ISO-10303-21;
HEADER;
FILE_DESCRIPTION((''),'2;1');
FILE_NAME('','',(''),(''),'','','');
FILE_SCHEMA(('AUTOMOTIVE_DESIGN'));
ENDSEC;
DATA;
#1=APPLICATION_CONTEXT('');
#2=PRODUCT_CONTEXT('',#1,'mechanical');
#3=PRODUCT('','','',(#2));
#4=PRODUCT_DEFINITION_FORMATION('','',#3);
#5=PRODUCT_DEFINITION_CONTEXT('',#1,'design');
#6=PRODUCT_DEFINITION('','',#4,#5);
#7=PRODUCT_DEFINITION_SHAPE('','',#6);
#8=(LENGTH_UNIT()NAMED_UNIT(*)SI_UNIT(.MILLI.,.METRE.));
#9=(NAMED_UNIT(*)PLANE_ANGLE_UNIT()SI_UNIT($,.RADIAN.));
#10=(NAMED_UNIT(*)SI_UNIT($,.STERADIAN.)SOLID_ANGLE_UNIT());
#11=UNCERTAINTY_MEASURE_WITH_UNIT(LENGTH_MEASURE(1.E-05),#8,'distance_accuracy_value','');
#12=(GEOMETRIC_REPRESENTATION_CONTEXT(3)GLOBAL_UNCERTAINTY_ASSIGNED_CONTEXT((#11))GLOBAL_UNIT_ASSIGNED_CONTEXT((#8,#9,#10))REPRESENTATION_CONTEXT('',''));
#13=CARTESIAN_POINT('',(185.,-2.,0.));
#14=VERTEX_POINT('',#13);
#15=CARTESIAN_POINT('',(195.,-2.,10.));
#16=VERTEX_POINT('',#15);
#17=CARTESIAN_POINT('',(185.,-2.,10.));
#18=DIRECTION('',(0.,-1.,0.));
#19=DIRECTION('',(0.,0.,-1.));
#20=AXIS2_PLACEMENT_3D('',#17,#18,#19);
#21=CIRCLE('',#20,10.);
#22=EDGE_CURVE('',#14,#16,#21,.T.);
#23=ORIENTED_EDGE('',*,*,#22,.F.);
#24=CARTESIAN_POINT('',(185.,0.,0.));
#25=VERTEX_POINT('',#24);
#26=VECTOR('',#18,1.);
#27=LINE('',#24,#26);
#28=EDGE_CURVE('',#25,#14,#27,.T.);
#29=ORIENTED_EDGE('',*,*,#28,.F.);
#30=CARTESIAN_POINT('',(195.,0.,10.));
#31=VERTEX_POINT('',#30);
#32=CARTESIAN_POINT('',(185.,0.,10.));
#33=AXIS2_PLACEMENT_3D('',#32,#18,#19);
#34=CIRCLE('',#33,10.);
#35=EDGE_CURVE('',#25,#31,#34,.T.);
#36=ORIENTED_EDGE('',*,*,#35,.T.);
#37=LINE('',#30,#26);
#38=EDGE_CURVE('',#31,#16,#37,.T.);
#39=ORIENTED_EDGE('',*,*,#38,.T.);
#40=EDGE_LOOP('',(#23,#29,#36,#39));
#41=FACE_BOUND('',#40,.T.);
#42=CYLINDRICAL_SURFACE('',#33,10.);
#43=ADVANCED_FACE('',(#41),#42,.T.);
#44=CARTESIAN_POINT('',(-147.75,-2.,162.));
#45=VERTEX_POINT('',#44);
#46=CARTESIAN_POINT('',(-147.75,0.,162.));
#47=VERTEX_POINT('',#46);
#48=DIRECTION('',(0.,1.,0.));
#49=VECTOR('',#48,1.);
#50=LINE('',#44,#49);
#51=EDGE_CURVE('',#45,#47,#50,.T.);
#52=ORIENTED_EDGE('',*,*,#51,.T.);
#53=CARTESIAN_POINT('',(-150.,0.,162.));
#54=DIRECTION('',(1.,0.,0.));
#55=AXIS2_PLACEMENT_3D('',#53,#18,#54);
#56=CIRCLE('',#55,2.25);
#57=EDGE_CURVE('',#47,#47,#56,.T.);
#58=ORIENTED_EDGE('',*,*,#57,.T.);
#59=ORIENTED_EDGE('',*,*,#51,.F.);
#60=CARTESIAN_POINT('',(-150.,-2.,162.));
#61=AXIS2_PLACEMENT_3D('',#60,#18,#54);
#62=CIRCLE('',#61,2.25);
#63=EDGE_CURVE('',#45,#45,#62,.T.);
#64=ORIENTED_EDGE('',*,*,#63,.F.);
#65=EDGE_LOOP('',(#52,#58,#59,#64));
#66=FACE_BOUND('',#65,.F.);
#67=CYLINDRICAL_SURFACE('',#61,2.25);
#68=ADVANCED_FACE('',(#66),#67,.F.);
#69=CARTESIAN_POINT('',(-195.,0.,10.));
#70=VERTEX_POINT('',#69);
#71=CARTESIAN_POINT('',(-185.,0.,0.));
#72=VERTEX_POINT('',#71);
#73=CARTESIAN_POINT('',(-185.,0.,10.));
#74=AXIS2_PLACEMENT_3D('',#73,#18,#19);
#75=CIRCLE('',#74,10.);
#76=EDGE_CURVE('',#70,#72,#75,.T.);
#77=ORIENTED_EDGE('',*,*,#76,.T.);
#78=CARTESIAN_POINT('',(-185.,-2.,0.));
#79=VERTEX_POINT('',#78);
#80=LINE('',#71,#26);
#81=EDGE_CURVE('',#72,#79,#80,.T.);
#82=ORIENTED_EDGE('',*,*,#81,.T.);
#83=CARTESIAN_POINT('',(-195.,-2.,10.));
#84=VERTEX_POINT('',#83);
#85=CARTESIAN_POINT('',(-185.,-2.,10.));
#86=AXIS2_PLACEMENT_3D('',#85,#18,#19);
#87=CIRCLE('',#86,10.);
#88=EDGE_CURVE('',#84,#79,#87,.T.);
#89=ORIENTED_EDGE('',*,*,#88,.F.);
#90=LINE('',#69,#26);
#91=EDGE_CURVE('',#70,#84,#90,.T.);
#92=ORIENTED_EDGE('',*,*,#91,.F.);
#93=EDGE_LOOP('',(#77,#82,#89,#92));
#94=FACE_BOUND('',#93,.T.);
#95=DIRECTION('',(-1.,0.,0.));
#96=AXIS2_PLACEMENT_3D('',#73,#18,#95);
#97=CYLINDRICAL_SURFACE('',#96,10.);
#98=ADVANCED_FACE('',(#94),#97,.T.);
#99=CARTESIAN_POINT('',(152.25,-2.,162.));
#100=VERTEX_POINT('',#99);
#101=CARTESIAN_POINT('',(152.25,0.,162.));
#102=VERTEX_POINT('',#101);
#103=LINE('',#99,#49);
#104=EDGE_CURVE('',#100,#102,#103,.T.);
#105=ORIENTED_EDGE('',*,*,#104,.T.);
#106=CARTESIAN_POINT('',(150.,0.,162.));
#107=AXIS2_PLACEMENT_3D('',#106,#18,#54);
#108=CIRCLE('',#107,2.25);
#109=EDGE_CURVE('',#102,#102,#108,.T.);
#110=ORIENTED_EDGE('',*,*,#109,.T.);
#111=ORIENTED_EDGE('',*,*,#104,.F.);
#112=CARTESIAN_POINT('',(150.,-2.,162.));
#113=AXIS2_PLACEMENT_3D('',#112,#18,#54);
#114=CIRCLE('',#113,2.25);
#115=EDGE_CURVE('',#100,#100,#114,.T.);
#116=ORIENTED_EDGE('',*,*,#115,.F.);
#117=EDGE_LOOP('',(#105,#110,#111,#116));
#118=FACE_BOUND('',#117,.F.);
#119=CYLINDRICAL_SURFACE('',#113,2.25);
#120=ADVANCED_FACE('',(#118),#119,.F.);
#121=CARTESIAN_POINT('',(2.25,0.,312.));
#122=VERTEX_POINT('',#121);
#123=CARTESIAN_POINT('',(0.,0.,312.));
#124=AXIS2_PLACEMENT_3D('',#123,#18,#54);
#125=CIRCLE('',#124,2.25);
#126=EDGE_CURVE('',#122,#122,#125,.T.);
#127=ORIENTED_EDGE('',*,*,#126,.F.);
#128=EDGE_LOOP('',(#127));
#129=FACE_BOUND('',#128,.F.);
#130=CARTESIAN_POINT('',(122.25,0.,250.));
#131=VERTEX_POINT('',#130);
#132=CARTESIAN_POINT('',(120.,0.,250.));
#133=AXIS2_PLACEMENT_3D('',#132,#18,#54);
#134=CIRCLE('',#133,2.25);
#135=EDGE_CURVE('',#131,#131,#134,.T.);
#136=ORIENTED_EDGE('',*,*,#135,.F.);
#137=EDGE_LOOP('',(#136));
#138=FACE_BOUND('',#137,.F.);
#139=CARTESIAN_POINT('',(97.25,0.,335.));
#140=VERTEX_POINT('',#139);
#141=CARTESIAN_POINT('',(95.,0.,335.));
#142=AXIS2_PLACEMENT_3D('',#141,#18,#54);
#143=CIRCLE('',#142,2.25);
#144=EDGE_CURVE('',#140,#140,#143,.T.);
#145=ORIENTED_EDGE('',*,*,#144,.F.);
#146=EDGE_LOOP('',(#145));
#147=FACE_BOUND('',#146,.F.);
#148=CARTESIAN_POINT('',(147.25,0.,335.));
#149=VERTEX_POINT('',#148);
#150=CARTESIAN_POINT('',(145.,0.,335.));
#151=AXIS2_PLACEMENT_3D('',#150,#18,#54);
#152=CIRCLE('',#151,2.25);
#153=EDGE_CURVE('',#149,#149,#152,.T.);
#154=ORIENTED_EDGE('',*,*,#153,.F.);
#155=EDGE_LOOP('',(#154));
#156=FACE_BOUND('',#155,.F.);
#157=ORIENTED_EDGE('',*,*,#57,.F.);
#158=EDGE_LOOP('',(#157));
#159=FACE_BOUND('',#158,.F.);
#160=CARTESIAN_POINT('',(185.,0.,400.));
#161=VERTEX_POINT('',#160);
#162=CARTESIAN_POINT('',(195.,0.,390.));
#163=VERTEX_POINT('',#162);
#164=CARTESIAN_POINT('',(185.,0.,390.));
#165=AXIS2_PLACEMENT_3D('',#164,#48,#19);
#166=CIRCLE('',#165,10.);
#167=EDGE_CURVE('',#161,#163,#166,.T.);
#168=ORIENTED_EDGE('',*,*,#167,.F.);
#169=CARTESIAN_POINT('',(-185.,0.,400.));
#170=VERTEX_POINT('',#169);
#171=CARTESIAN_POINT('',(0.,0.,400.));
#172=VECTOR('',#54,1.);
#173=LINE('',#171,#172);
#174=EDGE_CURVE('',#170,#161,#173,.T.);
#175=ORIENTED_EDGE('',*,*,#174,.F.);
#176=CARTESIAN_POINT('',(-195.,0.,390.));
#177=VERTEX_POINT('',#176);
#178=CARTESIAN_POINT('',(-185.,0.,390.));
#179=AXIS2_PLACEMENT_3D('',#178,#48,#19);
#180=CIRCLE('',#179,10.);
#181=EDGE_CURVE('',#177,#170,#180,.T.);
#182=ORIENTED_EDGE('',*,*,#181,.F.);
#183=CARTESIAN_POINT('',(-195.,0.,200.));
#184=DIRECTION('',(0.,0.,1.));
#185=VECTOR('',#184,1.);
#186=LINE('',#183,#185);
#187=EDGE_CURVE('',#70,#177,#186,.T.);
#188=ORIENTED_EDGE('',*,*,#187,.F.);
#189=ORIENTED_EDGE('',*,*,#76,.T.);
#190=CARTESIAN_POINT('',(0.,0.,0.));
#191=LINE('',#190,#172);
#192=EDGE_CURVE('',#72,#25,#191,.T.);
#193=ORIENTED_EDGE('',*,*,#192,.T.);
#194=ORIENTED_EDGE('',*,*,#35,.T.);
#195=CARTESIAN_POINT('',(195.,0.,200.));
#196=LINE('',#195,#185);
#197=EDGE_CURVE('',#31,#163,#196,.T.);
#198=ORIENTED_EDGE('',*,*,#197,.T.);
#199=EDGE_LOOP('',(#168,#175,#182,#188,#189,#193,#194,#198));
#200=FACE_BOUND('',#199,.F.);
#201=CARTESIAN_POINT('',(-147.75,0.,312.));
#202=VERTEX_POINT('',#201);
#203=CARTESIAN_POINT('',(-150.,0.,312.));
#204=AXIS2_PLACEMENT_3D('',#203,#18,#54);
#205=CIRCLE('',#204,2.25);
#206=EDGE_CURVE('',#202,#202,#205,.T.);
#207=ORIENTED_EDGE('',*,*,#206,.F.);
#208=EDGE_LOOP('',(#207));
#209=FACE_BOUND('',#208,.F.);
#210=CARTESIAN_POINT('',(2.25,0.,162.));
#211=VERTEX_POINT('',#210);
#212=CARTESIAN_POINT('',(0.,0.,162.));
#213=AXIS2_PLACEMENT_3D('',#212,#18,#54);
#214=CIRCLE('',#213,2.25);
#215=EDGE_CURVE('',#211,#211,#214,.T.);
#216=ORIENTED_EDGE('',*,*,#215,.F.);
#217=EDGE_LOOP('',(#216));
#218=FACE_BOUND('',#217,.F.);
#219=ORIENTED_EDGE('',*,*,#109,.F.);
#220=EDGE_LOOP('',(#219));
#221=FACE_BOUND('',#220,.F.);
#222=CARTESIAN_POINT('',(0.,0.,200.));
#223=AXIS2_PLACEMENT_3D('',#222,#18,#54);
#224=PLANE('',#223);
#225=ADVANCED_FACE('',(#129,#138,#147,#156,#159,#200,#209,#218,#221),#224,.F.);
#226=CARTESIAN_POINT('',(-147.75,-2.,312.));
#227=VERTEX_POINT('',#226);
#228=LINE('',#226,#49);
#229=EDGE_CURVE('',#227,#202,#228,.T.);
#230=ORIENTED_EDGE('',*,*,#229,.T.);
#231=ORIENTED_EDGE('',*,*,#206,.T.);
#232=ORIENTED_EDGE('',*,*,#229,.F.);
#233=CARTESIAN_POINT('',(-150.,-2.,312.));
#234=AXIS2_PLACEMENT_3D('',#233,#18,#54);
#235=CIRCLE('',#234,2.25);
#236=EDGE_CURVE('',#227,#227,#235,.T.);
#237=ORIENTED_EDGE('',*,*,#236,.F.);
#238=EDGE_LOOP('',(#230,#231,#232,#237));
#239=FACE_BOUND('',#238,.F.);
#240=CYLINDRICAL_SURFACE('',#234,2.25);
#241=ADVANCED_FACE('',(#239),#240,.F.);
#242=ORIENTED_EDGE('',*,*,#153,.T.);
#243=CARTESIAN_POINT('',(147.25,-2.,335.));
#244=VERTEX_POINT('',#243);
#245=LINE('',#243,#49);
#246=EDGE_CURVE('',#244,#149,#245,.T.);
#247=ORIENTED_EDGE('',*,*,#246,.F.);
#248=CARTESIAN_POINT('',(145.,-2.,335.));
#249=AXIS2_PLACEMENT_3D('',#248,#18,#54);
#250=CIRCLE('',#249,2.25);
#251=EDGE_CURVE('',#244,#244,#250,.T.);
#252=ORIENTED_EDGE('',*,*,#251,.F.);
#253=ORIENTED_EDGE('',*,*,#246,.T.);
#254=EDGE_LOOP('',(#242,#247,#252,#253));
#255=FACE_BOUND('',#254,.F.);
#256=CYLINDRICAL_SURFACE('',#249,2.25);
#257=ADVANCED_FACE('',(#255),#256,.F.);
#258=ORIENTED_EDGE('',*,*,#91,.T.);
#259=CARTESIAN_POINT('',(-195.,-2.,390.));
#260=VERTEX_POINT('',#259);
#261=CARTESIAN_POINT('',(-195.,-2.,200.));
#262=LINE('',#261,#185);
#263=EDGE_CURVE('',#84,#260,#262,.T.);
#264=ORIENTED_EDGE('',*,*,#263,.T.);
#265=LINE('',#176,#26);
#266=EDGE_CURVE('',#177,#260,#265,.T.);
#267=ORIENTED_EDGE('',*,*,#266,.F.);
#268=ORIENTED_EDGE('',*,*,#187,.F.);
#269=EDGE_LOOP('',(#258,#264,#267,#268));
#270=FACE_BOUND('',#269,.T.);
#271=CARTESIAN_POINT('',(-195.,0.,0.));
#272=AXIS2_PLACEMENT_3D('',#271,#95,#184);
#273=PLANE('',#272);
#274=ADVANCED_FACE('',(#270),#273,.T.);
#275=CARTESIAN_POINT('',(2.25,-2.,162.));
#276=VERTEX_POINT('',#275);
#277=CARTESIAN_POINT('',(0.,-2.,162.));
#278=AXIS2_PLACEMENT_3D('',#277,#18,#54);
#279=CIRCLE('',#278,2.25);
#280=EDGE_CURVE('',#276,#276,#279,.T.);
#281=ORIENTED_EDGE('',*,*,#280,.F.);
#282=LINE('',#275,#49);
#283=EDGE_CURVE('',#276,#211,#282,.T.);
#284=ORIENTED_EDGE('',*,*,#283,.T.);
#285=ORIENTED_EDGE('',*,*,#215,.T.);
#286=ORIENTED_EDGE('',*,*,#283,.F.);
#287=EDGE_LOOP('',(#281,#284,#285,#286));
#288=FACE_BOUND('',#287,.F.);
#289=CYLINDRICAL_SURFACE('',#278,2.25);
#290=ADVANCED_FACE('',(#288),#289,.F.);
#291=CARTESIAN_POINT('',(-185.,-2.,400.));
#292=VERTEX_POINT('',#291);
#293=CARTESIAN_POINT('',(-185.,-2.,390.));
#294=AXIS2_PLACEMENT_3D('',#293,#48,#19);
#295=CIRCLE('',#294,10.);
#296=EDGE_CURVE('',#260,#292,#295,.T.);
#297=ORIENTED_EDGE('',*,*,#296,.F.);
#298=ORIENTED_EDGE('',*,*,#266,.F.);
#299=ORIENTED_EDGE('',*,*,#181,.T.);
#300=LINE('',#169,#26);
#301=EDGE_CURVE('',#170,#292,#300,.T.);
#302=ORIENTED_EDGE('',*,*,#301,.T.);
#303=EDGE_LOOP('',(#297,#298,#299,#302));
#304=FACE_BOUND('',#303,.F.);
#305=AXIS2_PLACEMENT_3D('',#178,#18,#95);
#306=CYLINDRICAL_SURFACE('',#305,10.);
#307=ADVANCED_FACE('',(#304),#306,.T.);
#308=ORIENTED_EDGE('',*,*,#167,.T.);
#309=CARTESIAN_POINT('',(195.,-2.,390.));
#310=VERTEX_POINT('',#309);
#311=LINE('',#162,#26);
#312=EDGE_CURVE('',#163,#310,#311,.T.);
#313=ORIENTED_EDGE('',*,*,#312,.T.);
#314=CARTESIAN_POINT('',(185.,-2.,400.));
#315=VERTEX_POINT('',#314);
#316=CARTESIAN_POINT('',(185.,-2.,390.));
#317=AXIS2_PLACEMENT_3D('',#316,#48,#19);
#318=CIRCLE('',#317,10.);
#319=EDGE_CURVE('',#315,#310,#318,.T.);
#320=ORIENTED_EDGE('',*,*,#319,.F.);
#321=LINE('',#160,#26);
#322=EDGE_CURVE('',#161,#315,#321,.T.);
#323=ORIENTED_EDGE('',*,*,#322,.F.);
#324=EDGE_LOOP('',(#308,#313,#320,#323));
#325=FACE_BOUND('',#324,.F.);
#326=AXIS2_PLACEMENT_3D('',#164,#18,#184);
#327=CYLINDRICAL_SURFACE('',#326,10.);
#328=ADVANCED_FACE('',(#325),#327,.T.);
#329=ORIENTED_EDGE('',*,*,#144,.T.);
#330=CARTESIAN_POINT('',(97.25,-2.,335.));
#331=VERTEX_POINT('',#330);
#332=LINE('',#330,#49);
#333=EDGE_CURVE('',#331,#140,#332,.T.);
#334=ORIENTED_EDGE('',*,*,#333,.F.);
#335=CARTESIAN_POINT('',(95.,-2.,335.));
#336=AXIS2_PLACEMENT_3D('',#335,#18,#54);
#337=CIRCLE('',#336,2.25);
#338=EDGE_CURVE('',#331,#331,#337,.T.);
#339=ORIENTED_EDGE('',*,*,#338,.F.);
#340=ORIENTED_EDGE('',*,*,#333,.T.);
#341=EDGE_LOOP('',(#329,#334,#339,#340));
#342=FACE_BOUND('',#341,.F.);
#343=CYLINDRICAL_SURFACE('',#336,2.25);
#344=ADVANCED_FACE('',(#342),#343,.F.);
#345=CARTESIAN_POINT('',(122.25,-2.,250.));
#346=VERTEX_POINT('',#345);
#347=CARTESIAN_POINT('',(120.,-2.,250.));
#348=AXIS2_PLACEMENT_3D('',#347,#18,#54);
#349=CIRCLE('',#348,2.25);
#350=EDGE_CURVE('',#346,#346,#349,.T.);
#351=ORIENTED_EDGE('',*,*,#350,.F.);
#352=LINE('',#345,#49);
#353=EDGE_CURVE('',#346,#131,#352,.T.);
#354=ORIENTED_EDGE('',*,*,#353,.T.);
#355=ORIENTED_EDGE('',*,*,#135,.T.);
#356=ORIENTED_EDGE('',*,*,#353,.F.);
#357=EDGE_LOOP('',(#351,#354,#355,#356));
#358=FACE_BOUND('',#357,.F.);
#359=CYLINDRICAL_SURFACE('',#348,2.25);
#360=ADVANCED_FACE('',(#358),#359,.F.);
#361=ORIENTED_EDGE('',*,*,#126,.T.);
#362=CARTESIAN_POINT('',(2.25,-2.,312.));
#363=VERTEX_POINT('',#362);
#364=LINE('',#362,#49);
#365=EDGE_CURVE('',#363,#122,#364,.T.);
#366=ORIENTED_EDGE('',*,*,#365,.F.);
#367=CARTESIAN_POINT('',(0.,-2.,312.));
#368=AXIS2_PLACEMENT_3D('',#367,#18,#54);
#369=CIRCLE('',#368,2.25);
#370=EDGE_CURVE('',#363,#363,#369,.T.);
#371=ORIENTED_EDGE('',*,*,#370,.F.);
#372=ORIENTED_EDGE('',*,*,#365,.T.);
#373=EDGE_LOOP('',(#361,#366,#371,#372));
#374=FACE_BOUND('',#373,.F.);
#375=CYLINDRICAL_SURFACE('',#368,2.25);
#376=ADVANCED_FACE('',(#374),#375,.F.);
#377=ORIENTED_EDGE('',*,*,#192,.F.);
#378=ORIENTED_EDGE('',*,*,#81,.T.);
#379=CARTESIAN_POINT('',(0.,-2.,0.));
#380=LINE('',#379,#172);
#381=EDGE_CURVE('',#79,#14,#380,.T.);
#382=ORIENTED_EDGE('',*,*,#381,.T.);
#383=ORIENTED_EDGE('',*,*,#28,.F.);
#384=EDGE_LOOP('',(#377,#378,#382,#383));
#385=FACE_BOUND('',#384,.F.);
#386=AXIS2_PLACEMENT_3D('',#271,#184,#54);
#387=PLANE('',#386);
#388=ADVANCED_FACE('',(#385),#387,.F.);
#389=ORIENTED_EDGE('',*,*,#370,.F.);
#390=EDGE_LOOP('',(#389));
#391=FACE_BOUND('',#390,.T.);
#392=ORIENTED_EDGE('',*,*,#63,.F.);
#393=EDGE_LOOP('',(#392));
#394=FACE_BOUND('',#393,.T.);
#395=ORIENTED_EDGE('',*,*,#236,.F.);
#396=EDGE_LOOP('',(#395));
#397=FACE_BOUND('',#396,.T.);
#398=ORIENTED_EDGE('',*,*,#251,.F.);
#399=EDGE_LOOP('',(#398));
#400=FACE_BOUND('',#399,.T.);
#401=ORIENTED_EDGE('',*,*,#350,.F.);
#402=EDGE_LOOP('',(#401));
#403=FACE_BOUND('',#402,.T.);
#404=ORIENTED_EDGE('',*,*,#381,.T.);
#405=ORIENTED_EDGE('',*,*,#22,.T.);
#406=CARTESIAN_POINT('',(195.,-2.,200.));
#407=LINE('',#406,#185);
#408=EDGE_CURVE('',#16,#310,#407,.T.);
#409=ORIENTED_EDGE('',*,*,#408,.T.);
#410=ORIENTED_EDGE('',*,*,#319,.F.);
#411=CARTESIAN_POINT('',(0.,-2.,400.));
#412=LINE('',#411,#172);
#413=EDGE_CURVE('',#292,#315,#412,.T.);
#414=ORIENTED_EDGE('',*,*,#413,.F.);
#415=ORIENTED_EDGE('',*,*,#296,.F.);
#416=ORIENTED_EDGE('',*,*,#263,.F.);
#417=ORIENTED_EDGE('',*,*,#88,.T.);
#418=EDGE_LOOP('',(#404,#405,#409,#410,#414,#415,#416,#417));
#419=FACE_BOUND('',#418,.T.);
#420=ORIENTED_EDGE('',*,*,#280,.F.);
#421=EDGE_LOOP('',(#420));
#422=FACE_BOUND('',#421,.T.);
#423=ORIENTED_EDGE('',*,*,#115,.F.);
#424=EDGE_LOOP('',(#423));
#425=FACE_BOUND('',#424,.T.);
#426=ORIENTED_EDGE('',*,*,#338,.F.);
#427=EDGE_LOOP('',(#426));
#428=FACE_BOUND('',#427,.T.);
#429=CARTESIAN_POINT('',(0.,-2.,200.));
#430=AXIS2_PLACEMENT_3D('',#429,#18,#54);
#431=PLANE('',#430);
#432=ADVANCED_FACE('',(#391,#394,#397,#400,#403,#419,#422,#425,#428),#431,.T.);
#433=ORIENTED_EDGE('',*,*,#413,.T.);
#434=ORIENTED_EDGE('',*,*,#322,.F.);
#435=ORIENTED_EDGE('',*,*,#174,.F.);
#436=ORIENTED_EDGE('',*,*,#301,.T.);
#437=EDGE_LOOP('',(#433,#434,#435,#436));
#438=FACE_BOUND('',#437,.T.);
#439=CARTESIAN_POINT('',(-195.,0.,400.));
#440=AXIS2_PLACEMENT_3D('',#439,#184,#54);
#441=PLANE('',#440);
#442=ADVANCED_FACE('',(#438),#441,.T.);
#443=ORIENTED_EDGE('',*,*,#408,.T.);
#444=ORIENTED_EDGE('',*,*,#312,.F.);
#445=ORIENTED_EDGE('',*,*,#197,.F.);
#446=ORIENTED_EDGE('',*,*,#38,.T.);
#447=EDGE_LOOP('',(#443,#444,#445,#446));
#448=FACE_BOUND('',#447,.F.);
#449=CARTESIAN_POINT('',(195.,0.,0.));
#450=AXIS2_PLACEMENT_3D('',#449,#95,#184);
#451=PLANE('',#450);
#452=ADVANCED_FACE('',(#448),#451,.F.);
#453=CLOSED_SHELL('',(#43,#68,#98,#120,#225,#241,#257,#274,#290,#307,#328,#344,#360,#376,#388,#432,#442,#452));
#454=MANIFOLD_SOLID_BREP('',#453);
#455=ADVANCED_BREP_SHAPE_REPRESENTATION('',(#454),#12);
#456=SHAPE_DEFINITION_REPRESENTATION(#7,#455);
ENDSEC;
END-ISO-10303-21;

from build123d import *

# Parameters (mm, degrees)
F0_W     = 390
F0_H     = 400
F1_DEPTH = 2
F2_R     = 2.25
F3_DEPTH = 25
F4_R     = 10


with BuildPart() as f1:
    # F0 (on Front) → F1 (new body)
    with BuildSketch(Plane.XZ):
        with Locations((0, 200)):
            Rectangle(F0_W, F0_H)
    extrude(amount=F1_DEPTH)

    # F2 (on face) → F3 (cut)
    with BuildSketch(Plane.XZ.offset(2)):
        with Locations((145, 335)):
            Circle(F2_R)
        with Locations((95, 335)):
            Circle(F2_R)
        with Locations((120, 250)):
            Circle(F2_R)
        with Locations((0, 162)):
            Circle(F2_R)
        with Locations((-150, 162)):
            Circle(F2_R)
        with Locations((150, 162)):
            Circle(F2_R)
        with Locations((-150, 312)):
            Circle(F2_R)
        with Locations((0, 312)):
            Circle(F2_R)
    extrude(amount=-F3_DEPTH, mode=Mode.SUBTRACT)

    # F4
    f4_edges = [f1.edges().sort_by_distance(p)[0] for p in [
        (195, -1, 400),
        (-195, -1, 400),
        (195, -1, 0),
        (-195, -1, 0),
    ]]
    fillet(f4_edges, radius=F4_R)


solid = f1.part
